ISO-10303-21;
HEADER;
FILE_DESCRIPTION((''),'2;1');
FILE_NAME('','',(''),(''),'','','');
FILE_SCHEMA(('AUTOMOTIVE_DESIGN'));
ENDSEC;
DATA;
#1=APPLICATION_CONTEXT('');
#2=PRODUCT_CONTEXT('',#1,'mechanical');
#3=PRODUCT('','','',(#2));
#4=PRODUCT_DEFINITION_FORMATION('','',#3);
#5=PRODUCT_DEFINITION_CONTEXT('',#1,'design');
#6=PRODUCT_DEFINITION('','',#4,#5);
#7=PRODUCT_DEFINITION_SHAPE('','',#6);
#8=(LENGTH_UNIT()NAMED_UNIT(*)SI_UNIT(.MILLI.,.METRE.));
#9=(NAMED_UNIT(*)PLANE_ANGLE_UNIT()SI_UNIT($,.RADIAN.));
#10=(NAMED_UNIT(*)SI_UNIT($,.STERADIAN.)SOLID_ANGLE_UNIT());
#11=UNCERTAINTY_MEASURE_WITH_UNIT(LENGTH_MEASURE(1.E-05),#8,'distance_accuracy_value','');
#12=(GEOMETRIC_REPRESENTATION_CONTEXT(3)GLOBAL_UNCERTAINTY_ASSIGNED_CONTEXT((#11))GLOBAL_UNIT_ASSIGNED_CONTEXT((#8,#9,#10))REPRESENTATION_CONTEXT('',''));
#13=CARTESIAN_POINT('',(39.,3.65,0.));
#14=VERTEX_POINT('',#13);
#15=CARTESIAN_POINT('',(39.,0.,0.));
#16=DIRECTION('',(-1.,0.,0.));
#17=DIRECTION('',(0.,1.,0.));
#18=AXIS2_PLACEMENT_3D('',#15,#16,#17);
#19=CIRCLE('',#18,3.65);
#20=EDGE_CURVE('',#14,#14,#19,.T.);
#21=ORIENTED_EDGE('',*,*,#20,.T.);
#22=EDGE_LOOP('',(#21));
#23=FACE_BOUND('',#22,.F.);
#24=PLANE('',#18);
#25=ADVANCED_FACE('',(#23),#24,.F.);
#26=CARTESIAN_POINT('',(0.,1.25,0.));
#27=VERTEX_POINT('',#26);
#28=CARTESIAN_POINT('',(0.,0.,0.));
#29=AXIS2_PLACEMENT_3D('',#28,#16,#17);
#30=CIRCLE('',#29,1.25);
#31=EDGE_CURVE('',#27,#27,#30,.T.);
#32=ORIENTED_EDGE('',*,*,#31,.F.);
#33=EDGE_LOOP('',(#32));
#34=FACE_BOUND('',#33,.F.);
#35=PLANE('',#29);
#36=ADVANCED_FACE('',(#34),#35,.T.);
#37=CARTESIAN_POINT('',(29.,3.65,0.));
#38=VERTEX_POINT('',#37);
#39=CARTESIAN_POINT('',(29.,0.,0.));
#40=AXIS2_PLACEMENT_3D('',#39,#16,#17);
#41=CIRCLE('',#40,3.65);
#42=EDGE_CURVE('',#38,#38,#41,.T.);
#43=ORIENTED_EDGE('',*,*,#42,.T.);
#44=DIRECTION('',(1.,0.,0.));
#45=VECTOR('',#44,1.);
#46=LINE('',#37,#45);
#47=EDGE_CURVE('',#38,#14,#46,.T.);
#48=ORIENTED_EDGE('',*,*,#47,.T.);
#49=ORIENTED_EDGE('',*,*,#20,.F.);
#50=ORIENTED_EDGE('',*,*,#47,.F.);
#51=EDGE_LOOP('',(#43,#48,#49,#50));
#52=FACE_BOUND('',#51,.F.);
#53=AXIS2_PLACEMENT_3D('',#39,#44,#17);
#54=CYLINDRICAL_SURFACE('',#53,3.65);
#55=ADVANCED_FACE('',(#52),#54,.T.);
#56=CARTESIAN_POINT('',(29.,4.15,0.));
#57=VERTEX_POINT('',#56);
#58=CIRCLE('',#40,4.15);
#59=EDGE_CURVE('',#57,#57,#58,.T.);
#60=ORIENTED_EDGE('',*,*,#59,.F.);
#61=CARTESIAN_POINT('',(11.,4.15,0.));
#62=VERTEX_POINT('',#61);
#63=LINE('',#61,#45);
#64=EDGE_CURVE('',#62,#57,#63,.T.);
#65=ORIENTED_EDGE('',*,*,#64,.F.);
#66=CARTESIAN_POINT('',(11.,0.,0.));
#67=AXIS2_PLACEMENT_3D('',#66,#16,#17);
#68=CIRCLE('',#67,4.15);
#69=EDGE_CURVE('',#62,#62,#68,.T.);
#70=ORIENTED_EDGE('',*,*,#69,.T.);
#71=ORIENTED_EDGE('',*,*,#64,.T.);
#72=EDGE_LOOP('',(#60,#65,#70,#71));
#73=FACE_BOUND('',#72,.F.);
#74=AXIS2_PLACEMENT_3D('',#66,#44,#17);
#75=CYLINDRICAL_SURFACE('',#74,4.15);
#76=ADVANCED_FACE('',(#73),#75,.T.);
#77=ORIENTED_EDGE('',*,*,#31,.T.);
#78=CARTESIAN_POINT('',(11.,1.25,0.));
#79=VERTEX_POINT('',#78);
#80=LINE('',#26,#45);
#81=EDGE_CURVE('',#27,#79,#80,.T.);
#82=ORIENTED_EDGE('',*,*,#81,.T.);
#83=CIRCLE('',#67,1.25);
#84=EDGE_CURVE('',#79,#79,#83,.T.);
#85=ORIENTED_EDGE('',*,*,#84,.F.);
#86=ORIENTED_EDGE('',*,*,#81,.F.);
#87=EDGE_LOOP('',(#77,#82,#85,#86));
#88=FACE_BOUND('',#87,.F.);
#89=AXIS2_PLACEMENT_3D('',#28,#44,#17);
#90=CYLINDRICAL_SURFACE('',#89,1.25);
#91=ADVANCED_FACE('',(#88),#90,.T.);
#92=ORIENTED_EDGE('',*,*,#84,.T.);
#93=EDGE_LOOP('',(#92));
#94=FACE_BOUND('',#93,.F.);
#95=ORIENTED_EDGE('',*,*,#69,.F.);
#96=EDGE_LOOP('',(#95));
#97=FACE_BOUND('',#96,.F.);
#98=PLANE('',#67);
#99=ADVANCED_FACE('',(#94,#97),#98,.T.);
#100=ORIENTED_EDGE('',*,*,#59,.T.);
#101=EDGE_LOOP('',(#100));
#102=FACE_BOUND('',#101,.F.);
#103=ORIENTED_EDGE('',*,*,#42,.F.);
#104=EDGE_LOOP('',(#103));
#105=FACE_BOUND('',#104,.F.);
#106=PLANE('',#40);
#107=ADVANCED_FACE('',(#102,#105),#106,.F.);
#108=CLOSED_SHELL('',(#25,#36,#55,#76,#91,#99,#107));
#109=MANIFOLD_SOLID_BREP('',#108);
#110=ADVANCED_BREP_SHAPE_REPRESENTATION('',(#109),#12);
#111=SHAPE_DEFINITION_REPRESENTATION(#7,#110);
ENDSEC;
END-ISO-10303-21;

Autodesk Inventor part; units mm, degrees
ref_plane "YZ Plane" through (0, 0, 0) normal (1, 0, 0) x (0, 1, 0)
ref_plane "XZ Plane" through (0, 0, 0) normal (0, 1, 0) x (-1, 0, 0)
ref_plane "XY Plane" through (0, 0, 0) normal (0, 0, 1) x (1, 0, 0)
sketch "スケッチ1" plane through (0, 0, 0) normal (0, 0, 1) x (1, 0, 0)
  line L0 (0, 0) -> (0, 1.25)
  line L1 (0, 1.25) -> (11, 1.25)
  line L2 (11, 1.25) -> (11, 4.15)
  line L3 (11, 4.15) -> (29, 4.15)
  line L4 (29, 4.15) -> (29, 3.65)
  line L5 (29, 3.65) -> (39, 3.65)
  line L6 (39, 3.65) -> (39, 0)
  line L7 (39, 0) -> (0, 0)
  dimension "d0" = 1.25
  dimension "d1" = 11
  dimension "d2" = 18
  dimension "d3" = 4.15
  dimension "d4" = 0.5
  dimension "d5" = 10
revolve "回転1" add sketch "スケッチ1" angle 360 about axis through (39, 0, 0) along (-1, 0, 0)
properties part number "Circuit_PhonePlug_MP-101MH" material "ABS プラスチック"
